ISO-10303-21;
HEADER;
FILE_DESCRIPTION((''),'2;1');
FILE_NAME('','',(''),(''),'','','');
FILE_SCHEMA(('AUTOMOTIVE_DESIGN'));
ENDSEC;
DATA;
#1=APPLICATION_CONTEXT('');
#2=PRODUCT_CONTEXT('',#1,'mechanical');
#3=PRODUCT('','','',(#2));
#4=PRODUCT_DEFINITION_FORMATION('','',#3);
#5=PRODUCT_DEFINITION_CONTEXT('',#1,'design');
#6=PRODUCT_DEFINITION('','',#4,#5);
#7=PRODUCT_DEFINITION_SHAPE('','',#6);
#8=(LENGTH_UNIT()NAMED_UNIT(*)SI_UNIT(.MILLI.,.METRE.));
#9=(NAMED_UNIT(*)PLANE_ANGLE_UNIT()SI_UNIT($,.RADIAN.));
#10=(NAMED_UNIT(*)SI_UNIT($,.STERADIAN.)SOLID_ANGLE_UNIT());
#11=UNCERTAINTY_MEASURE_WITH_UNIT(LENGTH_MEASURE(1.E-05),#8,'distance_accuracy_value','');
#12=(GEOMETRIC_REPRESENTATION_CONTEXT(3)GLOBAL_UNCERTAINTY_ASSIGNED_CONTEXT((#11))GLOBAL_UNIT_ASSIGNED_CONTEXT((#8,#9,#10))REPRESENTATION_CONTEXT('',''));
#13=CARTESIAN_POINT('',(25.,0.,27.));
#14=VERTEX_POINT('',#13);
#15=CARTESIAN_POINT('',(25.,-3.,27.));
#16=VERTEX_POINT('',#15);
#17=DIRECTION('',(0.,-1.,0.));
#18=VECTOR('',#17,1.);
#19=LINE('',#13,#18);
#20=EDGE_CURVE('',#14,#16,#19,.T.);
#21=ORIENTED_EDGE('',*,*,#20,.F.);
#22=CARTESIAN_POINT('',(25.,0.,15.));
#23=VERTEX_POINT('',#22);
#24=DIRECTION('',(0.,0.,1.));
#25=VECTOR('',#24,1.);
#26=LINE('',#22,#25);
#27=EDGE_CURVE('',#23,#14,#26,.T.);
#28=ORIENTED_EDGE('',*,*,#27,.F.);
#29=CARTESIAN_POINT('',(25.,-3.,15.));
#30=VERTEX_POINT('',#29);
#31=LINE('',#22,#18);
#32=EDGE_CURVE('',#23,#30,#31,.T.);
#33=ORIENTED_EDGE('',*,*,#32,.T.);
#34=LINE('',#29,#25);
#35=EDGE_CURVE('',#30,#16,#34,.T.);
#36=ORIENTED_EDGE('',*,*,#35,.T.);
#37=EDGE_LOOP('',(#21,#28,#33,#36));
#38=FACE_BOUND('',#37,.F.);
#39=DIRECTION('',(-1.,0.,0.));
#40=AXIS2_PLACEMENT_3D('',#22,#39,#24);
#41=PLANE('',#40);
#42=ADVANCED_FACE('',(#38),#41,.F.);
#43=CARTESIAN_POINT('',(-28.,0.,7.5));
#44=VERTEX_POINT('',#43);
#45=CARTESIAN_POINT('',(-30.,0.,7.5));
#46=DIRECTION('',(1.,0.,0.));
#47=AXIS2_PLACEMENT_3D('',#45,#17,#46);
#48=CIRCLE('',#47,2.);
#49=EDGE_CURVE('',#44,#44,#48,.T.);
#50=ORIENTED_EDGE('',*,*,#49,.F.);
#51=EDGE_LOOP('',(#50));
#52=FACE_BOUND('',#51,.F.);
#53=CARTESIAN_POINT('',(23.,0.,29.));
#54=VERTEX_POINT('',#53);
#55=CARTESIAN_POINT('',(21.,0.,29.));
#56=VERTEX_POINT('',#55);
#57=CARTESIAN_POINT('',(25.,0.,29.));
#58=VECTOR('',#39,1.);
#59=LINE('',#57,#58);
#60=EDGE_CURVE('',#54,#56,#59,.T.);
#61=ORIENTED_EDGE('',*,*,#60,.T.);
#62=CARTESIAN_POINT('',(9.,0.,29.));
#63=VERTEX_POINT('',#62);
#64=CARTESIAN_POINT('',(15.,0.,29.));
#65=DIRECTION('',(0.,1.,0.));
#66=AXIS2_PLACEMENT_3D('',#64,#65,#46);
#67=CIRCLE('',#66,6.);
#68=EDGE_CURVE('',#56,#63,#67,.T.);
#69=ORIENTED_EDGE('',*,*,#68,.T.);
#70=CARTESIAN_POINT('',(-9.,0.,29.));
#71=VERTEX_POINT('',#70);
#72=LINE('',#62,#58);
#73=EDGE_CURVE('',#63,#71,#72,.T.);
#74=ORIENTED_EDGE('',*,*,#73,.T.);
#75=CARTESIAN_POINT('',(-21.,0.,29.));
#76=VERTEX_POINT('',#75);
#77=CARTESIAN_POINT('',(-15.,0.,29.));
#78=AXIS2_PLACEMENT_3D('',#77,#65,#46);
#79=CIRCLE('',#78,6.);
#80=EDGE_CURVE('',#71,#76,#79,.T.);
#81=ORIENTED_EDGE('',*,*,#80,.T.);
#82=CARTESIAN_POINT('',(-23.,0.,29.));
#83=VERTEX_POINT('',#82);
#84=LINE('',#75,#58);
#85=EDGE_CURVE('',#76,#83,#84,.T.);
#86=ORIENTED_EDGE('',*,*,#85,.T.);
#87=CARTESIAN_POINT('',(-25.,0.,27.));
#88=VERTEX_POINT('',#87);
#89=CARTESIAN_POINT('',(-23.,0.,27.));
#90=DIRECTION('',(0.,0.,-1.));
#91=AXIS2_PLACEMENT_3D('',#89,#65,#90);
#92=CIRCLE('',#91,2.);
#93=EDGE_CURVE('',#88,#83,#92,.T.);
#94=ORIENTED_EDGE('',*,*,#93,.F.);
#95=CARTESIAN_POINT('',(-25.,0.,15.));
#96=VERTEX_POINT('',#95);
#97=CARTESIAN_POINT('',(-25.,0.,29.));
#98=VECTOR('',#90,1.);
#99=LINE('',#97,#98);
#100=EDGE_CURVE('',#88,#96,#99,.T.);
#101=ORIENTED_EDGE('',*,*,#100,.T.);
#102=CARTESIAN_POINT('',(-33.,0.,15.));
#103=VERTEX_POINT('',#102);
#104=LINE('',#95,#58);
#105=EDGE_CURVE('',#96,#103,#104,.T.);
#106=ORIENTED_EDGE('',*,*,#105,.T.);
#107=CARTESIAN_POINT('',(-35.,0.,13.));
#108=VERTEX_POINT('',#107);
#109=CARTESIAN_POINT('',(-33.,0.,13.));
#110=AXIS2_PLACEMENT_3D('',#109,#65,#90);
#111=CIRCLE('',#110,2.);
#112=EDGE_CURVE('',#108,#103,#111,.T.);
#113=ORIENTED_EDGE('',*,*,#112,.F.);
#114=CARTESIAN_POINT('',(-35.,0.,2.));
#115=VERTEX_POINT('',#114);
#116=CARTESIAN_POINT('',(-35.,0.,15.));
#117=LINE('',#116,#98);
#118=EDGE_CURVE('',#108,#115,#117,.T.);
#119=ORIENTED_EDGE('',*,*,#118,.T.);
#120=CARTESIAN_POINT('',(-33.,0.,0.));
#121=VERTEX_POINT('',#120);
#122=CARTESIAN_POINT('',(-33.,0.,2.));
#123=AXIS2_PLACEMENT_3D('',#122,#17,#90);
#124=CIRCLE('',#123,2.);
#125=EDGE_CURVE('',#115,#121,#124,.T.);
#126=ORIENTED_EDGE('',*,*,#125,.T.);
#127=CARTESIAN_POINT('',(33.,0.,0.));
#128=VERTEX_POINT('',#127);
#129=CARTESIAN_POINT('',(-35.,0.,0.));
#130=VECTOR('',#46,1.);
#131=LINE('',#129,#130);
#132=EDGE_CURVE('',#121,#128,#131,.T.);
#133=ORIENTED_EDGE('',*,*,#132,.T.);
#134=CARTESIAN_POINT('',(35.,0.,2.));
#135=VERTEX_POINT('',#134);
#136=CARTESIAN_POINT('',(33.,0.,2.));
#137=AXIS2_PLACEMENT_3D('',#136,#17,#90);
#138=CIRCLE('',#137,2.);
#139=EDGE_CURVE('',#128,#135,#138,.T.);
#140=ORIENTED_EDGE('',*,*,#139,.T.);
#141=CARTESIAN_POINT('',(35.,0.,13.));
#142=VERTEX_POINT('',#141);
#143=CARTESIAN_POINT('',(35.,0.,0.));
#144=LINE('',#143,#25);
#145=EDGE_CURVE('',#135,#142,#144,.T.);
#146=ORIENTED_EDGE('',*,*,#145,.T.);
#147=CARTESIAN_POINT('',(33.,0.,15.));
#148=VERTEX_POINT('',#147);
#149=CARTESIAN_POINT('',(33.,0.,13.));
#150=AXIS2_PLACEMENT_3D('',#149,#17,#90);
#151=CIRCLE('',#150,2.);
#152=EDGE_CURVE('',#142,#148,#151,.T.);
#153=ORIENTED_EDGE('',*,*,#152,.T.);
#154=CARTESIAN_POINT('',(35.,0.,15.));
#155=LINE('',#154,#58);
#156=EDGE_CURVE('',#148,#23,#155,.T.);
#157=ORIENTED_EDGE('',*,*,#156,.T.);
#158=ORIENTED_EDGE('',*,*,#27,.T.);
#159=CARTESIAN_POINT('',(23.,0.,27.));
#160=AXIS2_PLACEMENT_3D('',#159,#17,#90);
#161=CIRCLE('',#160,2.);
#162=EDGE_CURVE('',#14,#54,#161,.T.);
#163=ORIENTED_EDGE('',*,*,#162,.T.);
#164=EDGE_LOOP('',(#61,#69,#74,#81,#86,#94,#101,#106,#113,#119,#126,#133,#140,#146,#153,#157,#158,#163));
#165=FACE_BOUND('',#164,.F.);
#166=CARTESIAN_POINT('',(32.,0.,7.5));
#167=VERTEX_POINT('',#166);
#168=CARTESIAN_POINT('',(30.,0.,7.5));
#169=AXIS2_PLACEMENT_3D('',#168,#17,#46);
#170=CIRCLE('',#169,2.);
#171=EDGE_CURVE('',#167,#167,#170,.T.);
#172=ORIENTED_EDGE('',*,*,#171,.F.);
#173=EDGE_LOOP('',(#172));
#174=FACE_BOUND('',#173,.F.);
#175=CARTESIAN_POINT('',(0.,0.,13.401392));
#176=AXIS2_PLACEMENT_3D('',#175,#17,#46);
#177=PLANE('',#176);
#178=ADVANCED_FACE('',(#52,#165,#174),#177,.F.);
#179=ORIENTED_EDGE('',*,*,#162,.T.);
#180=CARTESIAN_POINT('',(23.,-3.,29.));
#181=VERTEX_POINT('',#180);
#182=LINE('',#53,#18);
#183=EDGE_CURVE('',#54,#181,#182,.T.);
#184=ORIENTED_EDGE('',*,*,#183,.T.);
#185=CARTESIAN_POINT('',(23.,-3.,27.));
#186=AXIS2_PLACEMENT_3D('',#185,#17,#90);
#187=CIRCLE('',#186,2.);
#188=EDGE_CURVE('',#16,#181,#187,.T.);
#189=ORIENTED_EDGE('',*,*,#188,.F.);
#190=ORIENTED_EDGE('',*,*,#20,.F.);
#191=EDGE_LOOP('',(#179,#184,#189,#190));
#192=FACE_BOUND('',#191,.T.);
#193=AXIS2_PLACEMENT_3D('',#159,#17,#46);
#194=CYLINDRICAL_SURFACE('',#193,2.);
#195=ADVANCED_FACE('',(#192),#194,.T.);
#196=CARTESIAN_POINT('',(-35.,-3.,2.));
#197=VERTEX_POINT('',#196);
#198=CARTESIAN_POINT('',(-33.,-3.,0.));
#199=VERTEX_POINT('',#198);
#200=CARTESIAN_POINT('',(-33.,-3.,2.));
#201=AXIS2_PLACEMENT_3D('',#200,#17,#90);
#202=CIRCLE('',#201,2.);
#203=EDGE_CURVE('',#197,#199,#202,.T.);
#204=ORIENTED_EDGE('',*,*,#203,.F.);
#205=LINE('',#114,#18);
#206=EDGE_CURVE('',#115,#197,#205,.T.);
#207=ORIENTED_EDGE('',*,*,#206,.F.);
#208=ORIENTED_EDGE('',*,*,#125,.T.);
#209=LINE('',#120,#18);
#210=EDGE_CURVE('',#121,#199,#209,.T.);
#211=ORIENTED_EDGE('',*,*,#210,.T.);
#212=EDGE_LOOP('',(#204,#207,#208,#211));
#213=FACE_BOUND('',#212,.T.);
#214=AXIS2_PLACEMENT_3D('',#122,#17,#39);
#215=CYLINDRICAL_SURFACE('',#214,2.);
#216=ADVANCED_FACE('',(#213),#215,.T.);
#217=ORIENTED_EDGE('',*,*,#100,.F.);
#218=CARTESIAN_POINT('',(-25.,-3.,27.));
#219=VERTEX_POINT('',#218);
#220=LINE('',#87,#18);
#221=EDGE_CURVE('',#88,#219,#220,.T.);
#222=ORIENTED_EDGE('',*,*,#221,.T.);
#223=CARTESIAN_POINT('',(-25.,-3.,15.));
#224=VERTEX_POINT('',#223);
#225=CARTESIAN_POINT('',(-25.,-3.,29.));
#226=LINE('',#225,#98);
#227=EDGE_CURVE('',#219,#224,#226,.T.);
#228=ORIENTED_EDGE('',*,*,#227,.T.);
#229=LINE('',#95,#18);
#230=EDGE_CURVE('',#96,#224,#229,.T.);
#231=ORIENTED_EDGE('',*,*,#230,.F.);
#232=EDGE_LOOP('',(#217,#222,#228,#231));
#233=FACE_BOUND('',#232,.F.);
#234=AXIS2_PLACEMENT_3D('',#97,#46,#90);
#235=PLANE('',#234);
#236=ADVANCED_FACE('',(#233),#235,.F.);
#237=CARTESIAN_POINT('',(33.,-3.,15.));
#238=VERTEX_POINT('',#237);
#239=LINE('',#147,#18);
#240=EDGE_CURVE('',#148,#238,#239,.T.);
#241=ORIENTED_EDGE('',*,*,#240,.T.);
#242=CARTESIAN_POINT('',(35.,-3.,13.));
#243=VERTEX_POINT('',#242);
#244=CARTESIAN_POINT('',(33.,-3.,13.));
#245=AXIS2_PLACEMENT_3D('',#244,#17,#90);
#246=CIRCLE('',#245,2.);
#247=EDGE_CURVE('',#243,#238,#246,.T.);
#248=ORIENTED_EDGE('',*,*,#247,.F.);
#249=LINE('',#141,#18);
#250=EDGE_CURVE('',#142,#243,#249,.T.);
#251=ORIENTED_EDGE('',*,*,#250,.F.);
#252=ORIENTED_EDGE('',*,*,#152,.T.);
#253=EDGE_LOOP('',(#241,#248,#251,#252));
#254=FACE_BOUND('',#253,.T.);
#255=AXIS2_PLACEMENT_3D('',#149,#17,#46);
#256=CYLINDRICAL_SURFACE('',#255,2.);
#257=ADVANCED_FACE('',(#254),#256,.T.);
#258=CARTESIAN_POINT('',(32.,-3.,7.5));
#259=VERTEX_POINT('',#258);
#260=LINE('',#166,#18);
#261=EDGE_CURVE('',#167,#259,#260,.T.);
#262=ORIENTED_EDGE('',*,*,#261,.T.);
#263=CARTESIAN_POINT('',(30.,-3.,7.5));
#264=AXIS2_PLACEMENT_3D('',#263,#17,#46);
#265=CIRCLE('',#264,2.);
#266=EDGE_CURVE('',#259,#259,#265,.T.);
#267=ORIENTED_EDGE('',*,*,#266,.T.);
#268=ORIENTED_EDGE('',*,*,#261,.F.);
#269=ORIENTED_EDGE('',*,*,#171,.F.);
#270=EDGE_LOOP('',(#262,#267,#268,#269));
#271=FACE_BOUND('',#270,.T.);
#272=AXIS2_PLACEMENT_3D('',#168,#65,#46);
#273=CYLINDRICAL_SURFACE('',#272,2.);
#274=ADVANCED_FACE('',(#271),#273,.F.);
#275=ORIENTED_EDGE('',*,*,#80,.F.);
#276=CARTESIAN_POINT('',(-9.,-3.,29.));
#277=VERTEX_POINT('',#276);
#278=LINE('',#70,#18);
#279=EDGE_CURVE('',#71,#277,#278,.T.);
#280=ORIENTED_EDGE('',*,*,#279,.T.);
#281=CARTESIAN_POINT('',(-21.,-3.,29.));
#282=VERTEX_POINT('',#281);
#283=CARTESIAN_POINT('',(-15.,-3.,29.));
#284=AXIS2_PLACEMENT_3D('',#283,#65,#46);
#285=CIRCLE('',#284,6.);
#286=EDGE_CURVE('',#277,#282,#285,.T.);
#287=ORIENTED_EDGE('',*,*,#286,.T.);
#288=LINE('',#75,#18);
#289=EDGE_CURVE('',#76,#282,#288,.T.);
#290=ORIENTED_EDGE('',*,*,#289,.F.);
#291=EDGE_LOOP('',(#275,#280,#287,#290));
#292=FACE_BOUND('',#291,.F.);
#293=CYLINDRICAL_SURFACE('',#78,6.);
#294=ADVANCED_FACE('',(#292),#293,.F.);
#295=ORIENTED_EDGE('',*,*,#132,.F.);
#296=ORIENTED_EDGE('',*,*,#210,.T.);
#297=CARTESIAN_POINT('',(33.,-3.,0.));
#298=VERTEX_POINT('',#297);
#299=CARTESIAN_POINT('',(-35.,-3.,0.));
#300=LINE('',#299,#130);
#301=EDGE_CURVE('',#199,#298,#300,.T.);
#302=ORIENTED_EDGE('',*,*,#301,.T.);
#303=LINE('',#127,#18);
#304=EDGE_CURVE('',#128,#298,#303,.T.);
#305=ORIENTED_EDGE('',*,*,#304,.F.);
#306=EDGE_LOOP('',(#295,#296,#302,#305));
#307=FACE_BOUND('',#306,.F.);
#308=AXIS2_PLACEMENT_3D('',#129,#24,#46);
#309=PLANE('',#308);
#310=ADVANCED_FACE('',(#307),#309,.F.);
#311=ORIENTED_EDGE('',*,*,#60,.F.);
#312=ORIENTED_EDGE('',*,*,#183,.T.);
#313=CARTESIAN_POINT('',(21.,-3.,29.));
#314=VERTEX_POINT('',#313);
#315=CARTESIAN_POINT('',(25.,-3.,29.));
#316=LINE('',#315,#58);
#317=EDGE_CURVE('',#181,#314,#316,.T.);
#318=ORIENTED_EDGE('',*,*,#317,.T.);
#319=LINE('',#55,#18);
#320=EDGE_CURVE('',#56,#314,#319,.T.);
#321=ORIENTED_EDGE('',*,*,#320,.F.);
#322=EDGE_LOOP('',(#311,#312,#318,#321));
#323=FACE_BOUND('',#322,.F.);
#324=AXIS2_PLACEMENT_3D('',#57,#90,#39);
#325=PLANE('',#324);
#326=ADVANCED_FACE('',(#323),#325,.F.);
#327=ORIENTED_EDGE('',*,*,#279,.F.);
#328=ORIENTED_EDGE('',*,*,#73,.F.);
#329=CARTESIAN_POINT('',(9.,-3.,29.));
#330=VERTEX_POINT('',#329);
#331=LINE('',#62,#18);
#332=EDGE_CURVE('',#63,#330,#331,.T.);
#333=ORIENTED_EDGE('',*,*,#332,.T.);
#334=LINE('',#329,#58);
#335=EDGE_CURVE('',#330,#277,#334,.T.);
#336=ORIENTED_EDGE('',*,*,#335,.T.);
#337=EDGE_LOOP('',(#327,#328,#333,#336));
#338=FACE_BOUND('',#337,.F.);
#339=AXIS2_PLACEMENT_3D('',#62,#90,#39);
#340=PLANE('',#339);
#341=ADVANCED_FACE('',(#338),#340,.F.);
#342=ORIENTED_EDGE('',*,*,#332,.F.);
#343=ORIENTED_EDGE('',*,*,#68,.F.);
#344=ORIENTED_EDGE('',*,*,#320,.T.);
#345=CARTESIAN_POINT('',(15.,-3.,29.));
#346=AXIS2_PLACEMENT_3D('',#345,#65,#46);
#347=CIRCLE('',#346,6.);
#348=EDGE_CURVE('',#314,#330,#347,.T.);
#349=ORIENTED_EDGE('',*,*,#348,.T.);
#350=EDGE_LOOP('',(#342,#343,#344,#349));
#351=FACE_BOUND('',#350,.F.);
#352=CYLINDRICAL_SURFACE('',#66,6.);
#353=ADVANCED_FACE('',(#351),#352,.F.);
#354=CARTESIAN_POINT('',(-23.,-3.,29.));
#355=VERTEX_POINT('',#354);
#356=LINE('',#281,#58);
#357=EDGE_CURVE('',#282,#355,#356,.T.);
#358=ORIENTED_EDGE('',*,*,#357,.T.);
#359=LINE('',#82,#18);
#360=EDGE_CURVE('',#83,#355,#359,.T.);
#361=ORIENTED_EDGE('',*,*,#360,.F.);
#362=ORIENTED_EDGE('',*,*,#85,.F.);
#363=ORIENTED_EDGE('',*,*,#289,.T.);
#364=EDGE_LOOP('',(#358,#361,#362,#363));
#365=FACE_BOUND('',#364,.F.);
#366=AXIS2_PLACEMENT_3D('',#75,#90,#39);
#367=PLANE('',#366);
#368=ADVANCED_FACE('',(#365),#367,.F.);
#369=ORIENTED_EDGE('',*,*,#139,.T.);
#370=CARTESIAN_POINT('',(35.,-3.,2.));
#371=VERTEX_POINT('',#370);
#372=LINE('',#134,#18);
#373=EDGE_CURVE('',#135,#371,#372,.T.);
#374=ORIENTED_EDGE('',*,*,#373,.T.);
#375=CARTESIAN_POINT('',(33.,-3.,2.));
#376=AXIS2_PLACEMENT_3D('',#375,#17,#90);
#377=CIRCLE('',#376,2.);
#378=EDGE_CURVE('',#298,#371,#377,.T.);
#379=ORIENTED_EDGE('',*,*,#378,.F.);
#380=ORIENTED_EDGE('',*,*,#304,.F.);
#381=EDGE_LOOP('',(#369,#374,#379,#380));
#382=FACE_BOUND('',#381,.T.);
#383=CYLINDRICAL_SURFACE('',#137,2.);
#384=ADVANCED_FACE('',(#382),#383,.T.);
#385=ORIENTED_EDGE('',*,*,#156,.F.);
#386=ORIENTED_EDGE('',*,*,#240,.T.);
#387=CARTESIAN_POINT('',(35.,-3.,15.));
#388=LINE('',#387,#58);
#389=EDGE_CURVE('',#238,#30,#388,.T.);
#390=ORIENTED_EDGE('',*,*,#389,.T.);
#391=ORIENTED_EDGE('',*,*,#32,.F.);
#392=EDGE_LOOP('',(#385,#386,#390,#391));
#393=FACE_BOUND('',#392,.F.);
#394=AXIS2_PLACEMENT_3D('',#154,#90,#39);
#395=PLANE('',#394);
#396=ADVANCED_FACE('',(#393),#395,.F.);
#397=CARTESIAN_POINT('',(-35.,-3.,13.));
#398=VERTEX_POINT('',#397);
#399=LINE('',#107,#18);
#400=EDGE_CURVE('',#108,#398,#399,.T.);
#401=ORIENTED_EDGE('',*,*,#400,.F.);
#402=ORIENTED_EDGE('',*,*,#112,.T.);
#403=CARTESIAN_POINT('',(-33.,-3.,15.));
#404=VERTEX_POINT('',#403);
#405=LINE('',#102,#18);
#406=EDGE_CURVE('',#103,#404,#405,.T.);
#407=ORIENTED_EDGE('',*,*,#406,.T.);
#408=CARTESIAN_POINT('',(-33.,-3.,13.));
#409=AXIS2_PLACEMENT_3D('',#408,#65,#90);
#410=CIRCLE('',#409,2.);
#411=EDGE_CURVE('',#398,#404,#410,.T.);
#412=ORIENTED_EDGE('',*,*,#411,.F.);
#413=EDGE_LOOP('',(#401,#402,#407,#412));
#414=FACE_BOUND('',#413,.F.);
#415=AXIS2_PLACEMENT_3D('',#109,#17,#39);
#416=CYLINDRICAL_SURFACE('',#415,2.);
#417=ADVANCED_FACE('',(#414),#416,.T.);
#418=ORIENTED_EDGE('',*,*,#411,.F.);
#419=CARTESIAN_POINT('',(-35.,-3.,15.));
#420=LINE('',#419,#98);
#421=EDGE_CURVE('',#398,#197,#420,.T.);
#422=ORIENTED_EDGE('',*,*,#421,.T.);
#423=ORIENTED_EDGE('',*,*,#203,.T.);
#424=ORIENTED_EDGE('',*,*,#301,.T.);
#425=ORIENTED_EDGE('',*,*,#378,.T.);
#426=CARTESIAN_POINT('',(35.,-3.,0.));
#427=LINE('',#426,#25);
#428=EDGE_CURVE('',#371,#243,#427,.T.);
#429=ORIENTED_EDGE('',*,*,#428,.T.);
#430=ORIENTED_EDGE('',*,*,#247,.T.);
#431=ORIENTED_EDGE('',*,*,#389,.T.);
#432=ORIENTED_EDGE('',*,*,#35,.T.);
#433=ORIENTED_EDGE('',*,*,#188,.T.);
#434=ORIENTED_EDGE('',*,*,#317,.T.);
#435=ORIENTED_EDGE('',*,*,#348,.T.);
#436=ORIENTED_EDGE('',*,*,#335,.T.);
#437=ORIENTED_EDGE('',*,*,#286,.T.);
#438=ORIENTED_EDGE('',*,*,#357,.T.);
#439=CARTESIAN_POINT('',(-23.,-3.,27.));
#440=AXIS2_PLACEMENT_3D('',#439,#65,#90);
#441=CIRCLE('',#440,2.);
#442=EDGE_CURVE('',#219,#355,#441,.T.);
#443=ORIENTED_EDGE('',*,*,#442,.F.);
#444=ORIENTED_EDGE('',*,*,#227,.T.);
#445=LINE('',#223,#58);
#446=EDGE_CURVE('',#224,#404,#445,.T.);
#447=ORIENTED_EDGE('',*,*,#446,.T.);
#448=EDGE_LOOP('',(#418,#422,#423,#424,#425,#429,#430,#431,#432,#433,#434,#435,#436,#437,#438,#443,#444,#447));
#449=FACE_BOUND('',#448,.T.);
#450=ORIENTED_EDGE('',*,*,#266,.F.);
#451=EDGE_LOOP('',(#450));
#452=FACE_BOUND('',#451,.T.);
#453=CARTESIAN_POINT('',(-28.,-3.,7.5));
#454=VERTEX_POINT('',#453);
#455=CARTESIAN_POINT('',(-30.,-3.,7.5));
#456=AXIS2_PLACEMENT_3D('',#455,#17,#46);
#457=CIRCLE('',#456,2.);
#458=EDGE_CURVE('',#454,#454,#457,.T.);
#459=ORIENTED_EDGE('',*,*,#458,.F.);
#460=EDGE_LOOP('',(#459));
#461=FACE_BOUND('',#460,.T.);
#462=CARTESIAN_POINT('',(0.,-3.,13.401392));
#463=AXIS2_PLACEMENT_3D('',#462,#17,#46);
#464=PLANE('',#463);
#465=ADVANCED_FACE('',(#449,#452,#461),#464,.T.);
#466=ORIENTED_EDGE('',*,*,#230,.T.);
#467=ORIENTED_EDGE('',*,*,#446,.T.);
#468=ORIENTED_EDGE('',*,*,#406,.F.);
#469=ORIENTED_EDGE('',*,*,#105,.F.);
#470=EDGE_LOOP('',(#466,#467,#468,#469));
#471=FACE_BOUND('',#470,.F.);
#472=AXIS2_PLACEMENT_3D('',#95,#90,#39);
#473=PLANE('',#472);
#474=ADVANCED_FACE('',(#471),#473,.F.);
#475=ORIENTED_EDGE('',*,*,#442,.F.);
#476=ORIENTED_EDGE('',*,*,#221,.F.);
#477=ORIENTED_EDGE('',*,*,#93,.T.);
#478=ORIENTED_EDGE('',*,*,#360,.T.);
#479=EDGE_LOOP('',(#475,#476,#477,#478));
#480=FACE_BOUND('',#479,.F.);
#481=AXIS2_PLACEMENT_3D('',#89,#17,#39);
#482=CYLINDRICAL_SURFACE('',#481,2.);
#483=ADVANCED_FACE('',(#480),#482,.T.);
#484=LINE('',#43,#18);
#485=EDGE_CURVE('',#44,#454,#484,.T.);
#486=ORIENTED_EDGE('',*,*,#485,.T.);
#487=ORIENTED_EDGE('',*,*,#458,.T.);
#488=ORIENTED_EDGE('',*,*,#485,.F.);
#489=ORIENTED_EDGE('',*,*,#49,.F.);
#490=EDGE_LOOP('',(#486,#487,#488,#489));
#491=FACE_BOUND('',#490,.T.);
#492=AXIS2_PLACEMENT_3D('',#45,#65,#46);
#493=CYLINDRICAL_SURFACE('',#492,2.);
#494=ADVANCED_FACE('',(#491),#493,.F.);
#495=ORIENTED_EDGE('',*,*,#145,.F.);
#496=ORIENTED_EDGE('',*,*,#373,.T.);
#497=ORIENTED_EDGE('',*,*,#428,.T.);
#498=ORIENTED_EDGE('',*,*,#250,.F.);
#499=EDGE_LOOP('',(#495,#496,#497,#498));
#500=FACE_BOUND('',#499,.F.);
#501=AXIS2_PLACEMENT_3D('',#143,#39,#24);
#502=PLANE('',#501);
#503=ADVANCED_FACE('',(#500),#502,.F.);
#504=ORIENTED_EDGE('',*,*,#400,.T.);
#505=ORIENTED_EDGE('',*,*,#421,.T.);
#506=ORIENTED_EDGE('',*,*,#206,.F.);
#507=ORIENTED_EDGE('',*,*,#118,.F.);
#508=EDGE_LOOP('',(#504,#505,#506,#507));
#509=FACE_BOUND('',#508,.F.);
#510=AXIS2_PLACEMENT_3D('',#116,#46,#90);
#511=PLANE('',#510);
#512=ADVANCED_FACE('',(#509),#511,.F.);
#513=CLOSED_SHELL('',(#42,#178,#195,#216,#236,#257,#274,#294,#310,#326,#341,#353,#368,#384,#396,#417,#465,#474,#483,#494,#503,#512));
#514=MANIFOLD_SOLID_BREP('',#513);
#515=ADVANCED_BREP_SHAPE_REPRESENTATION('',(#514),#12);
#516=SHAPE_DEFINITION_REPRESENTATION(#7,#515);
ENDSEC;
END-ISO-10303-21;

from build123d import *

# Parameters (mm, degrees)
F0_R     = 2
F1_DEPTH = 3
F2_R     = 2


with BuildPart() as f1:
    # F0 (on Front) → F1 (new body)
    with BuildSketch(Plane.XZ):
        with BuildLine():
            Line((-35, 15), (-35, 0))
            Line((-35, 0), (35, 0))
            Line((35, 0), (35, 15))
            Line((35, 15), (25, 15))
            Line((25, 15), (25, 29))
            Line((25, 29), (21, 29))
            ThreePointArc((21, 29), (15, 23), (9, 29))
            Line((9, 29), (-9, 29))
            ThreePointArc((-9, 29), (-15, 23), (-21, 29))
            Line((-21, 29), (-25, 29))
            Line((-25, 29), (-25, 15))
            Line((-25, 15), (-35, 15))
        make_face()
        with Locations((-30, 7.5)):
            Circle(F0_R, mode=Mode.SUBTRACT)
        with Locations((30, 7.5)):
            Circle(F0_R, mode=Mode.SUBTRACT)
    extrude(amount=F1_DEPTH)

    # F2
    f2_edges = [f1.edges().sort_by_distance(p)[0] for p in [
        (35, -1.5, 15),
        (25, -1.5, 29),
        (35, -1.5, 0),
        (-25, -1.5, 29),
        (-35, -1.5, 15),
        (-35, -1.5, 0),
    ]]
    fillet(f2_edges, radius=F2_R)


solid = f1.part
